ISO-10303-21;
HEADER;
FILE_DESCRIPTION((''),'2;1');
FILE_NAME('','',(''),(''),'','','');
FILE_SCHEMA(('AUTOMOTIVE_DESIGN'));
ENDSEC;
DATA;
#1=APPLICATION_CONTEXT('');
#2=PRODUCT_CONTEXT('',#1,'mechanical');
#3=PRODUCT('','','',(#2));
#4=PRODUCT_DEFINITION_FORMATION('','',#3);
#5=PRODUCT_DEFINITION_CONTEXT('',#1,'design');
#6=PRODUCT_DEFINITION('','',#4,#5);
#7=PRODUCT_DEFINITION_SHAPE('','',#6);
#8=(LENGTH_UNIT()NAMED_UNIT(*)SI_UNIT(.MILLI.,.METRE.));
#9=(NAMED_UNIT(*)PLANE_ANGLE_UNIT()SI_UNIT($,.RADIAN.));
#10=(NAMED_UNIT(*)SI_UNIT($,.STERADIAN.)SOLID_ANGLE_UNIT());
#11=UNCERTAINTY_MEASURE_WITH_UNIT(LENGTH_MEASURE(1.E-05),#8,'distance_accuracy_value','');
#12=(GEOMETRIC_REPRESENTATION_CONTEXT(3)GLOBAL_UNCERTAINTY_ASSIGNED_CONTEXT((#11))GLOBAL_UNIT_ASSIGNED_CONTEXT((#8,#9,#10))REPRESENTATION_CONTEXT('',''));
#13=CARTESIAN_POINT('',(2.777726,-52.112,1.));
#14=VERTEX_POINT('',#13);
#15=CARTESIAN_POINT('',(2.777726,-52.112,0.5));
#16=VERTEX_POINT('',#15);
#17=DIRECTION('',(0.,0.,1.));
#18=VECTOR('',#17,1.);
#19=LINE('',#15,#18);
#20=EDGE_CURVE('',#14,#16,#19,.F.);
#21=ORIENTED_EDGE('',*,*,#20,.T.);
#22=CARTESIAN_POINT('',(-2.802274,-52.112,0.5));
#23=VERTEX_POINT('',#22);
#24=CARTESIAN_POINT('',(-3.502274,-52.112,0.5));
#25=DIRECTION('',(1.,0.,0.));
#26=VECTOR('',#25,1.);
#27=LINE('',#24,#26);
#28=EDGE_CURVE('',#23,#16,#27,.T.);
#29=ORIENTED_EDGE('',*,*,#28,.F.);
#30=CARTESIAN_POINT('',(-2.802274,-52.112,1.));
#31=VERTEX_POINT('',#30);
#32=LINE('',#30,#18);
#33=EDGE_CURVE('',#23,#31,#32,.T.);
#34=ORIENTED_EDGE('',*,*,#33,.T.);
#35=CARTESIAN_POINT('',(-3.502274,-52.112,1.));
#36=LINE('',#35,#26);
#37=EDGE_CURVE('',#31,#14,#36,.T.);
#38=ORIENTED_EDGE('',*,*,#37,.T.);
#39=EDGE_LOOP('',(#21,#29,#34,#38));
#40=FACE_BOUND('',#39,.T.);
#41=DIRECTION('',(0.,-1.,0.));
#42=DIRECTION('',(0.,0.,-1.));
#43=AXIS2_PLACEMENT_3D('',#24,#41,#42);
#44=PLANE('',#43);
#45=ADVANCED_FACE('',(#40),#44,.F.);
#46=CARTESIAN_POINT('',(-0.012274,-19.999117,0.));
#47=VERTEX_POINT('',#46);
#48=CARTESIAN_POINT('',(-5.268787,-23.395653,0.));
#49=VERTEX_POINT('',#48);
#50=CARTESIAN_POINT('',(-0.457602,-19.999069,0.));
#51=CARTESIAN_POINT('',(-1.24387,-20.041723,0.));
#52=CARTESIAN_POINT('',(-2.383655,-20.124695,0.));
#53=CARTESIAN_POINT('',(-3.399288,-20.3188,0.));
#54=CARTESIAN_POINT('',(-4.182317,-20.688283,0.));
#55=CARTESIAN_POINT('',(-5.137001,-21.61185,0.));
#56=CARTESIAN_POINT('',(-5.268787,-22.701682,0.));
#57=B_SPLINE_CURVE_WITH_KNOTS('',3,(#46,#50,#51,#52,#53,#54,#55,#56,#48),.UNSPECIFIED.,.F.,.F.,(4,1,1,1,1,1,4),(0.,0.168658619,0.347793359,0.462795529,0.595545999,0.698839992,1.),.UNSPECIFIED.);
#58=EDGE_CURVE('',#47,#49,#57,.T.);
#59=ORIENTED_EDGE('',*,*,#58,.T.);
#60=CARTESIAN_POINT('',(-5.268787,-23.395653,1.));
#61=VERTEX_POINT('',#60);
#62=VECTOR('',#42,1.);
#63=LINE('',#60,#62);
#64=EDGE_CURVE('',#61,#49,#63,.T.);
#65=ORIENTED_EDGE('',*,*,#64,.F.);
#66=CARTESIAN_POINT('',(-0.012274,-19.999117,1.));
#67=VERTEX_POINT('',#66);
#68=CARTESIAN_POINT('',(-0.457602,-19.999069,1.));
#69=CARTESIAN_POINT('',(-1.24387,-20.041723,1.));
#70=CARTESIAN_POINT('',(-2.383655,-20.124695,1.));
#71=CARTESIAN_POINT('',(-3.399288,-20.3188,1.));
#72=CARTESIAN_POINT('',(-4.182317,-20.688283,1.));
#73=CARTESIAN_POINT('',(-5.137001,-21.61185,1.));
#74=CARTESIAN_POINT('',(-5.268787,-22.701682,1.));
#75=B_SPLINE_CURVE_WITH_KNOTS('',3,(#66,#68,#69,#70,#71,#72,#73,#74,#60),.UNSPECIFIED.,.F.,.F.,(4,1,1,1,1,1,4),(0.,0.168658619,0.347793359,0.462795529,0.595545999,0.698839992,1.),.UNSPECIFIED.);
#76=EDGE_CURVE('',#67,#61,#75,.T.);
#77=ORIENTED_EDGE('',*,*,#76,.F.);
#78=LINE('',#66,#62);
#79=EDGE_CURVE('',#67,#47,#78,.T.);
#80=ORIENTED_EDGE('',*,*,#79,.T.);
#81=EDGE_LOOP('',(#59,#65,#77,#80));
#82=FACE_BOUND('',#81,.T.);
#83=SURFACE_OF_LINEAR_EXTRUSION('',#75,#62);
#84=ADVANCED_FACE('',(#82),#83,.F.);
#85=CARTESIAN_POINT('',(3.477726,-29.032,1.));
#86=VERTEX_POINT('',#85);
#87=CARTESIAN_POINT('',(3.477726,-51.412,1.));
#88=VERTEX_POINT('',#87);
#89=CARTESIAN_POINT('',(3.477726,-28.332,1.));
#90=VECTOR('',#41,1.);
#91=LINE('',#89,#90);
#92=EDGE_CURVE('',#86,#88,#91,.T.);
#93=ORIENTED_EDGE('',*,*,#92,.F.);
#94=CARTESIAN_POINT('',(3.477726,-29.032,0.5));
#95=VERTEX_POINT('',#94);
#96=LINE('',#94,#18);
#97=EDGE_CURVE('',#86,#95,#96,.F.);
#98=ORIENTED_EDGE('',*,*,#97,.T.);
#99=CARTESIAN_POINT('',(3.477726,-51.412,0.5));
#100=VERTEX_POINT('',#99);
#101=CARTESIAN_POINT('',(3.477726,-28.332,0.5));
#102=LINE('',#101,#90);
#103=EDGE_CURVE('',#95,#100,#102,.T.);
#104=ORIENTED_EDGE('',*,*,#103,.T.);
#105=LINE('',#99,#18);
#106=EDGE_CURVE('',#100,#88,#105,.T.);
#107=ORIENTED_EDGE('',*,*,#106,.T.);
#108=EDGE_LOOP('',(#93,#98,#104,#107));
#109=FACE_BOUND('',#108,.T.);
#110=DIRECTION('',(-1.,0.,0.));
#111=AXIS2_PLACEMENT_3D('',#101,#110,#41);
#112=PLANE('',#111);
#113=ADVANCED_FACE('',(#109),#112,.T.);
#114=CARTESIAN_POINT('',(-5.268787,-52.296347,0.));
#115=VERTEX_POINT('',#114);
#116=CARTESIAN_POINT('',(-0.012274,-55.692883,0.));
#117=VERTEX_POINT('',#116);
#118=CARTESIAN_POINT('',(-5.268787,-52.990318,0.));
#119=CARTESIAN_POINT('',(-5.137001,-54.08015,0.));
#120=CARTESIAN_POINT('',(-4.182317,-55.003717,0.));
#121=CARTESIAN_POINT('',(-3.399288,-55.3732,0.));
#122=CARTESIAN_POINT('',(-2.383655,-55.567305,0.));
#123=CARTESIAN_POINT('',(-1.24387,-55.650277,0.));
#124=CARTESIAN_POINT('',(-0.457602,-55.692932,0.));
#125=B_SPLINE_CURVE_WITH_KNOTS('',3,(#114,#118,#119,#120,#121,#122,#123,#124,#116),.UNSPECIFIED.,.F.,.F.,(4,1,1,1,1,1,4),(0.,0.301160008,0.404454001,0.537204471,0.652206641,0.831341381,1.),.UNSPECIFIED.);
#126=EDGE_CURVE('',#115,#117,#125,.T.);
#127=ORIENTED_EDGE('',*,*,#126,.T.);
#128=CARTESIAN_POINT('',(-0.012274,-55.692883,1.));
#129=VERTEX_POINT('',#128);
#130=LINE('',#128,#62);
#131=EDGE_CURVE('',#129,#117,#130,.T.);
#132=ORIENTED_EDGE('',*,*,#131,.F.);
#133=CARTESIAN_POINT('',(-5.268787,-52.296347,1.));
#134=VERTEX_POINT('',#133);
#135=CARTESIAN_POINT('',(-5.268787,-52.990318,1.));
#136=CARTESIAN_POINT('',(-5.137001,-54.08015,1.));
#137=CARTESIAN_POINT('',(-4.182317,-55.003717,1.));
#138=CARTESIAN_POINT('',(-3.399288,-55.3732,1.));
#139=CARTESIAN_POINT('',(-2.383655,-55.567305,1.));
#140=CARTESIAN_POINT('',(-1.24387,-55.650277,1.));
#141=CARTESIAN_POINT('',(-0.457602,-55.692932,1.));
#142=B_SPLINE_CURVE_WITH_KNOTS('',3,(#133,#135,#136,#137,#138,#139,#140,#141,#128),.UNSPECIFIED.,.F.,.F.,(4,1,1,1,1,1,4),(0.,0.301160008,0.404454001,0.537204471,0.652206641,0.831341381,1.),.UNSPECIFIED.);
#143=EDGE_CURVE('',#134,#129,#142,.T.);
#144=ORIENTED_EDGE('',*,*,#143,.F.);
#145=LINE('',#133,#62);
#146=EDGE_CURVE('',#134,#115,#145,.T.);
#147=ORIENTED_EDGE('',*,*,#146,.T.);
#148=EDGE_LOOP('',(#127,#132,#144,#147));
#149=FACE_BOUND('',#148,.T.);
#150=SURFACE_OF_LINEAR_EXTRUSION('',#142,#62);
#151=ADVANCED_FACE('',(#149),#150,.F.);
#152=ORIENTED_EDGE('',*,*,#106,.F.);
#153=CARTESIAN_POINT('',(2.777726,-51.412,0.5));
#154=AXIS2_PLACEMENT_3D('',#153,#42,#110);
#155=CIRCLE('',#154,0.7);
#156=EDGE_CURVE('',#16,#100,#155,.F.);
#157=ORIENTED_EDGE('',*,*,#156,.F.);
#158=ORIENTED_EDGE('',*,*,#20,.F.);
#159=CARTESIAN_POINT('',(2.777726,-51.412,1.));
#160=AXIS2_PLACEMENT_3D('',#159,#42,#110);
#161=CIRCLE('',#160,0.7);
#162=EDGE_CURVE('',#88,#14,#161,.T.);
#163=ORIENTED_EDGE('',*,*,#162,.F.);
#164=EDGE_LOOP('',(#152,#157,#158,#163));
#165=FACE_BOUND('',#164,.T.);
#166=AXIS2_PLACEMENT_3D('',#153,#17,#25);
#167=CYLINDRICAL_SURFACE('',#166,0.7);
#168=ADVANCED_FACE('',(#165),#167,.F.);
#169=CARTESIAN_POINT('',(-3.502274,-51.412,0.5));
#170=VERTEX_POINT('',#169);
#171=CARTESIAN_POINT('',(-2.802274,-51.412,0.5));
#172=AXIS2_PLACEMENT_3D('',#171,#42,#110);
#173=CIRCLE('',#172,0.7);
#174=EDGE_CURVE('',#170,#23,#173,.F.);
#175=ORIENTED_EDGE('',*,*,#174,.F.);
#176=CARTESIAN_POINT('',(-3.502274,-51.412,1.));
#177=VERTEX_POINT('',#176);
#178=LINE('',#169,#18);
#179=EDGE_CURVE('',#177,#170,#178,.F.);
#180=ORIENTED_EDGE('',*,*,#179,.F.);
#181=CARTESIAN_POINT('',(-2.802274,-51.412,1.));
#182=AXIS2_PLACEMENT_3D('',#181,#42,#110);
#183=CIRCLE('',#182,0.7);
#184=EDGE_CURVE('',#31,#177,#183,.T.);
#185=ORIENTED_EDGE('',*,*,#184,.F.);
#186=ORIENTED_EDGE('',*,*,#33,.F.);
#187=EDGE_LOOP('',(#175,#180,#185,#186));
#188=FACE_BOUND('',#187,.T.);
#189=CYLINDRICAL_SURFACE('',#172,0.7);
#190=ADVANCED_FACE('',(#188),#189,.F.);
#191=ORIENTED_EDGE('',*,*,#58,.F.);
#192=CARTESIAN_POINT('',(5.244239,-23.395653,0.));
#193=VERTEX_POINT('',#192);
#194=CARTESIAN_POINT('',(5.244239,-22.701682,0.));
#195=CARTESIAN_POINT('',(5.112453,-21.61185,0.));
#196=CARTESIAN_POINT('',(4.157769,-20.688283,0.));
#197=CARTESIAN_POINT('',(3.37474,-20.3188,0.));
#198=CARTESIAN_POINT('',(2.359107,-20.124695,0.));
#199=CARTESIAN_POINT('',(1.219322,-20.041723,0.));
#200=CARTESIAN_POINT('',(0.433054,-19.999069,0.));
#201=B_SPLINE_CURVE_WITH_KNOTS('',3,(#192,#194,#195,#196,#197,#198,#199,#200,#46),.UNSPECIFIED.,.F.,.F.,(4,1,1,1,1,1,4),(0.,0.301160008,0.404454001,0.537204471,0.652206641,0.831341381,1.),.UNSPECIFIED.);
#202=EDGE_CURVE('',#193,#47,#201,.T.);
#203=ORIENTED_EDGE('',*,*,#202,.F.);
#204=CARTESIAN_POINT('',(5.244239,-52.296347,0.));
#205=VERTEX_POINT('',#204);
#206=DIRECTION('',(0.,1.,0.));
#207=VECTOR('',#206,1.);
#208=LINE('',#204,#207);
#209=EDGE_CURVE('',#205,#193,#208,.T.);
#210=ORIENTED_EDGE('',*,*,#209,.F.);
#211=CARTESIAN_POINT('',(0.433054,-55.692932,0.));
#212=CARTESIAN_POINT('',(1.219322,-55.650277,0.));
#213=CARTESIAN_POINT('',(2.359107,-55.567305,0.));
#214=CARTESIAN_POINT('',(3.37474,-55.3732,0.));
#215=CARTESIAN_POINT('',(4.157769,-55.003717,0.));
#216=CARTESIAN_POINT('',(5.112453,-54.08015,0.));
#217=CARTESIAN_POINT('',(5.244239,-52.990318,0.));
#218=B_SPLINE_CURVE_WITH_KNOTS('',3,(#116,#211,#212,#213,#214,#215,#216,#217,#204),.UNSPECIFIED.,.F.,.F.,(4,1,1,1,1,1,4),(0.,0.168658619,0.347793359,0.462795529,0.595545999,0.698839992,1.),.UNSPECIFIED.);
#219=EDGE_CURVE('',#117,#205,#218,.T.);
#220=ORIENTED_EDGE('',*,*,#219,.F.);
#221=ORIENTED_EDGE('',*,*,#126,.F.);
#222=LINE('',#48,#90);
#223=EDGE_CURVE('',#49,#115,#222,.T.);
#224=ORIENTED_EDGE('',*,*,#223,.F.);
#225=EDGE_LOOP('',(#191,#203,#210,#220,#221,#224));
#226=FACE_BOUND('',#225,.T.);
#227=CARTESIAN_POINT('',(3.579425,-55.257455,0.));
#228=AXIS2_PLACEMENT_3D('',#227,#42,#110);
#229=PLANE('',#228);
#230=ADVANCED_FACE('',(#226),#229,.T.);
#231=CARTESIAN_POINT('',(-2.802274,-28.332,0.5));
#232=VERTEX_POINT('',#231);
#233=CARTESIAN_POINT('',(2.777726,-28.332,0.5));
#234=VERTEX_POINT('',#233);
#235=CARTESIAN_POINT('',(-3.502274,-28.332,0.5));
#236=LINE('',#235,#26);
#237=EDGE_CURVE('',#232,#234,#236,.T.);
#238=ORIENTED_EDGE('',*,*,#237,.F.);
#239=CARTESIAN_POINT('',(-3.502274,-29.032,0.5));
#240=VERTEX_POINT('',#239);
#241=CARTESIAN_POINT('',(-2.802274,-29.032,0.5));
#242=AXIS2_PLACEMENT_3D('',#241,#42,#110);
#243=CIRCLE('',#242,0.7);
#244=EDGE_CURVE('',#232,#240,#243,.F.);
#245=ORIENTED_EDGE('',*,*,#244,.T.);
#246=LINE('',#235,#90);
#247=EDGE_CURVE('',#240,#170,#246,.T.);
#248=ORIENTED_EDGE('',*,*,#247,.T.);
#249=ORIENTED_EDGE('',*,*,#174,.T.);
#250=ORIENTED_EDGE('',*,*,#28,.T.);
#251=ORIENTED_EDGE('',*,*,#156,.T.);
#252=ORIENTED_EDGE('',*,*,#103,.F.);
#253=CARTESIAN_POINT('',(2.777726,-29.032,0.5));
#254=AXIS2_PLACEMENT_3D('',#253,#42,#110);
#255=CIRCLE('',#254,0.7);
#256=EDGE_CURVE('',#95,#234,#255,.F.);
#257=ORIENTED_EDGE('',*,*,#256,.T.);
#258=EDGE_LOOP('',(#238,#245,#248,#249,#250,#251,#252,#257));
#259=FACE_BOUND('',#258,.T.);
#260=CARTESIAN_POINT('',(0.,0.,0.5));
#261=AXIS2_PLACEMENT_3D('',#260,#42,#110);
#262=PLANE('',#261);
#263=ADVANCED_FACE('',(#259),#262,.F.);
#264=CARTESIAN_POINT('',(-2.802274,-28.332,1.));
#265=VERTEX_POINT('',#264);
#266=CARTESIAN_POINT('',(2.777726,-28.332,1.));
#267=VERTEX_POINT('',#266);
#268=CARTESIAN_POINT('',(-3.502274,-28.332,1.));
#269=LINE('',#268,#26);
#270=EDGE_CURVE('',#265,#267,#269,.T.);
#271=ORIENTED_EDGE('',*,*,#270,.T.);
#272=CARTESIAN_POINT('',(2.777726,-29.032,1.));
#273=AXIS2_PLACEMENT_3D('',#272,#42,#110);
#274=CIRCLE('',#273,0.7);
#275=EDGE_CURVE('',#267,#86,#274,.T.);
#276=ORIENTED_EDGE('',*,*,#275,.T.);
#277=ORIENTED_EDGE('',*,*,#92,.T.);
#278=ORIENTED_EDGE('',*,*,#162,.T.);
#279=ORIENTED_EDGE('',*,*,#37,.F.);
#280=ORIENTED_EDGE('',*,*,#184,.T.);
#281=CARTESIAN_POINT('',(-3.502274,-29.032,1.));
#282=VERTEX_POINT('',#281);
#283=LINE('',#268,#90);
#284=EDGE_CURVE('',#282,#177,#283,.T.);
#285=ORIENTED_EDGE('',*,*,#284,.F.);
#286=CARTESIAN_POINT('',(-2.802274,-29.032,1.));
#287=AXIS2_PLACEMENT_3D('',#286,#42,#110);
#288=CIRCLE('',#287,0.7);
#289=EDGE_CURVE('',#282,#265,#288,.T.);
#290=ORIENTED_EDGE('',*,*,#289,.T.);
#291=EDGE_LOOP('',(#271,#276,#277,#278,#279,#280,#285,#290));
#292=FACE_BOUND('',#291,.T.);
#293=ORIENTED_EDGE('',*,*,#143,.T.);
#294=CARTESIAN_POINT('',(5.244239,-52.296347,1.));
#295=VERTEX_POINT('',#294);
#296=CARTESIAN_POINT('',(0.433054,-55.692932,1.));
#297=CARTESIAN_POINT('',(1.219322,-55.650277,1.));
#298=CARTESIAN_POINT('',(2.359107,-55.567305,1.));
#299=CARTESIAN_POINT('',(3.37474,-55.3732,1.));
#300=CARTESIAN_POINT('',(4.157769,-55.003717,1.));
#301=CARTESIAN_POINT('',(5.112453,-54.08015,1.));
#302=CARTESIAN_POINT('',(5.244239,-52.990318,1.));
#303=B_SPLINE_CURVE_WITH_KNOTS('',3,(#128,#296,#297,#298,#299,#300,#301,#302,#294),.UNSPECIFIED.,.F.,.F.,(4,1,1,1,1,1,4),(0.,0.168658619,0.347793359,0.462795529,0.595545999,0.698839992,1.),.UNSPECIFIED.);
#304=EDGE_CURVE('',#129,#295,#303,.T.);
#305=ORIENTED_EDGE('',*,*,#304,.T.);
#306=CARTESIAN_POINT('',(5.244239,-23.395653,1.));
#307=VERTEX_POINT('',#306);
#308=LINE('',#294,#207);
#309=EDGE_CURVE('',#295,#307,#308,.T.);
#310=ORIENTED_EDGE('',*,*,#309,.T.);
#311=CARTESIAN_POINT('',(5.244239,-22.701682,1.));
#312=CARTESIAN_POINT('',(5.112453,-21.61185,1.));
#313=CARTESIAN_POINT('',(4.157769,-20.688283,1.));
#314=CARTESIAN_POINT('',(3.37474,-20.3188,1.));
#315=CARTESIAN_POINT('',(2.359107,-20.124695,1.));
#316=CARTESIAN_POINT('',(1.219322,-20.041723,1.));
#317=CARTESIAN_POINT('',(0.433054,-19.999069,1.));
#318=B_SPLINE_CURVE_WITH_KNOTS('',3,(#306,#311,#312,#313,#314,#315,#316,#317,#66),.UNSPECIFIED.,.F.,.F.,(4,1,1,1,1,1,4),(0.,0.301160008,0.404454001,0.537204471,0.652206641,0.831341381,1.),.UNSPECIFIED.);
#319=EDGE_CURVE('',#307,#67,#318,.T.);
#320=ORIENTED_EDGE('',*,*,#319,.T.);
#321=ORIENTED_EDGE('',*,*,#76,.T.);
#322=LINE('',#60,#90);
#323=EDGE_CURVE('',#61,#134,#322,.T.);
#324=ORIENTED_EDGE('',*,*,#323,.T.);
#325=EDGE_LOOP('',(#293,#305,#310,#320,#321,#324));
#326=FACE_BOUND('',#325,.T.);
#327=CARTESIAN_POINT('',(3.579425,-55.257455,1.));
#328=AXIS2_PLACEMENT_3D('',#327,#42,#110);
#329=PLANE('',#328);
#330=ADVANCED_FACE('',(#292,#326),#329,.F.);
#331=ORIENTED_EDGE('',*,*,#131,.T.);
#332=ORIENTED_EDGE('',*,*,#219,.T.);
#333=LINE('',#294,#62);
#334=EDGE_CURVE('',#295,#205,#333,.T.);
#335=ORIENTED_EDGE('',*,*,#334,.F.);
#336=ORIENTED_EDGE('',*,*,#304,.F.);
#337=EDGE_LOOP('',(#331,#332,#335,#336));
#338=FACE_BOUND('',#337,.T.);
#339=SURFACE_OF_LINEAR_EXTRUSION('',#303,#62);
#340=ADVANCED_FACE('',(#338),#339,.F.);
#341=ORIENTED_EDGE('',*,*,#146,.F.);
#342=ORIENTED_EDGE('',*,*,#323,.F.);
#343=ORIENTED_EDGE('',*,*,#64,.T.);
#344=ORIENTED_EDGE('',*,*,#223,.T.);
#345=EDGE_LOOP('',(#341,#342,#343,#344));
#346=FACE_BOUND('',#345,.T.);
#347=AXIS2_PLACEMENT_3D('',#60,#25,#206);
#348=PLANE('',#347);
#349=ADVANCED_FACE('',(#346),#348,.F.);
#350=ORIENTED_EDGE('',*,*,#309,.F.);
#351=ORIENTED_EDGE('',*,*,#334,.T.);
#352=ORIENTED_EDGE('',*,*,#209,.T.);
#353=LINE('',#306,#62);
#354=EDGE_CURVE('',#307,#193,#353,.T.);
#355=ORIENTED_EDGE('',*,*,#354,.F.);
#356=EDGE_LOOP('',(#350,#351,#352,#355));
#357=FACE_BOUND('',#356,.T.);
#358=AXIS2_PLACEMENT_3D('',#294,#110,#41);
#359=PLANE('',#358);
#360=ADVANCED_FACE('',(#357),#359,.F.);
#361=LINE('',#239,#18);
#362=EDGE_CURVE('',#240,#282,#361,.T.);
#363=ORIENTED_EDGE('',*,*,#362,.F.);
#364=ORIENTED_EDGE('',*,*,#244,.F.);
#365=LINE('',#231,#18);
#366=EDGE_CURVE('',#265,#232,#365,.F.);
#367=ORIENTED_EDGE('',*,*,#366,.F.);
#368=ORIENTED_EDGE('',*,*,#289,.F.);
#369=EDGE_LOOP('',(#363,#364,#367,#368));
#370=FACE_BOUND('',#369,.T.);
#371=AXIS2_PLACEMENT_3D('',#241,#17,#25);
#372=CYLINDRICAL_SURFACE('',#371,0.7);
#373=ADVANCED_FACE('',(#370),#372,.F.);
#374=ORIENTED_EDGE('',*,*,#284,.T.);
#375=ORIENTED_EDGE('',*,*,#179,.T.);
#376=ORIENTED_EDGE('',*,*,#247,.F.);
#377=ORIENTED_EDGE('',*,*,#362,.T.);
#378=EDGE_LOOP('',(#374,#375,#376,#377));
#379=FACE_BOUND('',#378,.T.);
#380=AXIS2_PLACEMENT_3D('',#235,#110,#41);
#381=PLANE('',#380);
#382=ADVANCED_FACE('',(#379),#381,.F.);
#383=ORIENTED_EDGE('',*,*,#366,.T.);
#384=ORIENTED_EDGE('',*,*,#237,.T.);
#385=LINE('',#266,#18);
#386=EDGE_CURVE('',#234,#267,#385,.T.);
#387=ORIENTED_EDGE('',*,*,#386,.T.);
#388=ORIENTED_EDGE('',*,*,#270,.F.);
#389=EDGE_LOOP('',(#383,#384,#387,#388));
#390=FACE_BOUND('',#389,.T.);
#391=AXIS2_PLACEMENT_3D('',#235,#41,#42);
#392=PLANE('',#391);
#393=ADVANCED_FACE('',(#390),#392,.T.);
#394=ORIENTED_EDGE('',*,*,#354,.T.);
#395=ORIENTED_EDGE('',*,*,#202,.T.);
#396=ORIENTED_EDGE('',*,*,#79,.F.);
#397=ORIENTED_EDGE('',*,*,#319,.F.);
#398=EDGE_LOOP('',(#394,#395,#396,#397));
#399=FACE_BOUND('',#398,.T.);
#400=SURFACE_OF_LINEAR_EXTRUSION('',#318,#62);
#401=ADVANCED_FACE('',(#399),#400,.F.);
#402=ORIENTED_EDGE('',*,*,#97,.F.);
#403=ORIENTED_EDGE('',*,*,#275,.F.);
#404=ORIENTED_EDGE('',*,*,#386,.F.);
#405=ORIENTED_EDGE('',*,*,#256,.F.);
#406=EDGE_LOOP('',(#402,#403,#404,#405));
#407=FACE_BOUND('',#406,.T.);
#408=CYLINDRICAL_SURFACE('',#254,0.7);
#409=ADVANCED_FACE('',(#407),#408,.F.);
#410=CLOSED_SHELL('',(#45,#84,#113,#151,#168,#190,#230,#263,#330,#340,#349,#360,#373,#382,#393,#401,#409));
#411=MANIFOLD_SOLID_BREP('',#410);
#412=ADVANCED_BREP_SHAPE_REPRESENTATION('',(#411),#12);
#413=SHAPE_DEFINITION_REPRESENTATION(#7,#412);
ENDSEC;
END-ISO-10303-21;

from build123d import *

# Parameters (mm, degrees)
EXTRUDE_1_DEPTH     = 1
SKETCH_6_W          = 6.979999977
SKETCH_6_H          = 23.78
CUT_EXTRUDE_1_DEPTH = 0.5
FILLET_1_R          = 0.7


with BuildPart() as part:
    # 草图1 → 凸台-拉伸1 (new body)
    with BuildSketch(Plane.XY):
        with BuildLine():
            Line((-5.268787068, -23.395653078), (-5.268787078, -52.29634699))
            add(Edge.make_bspline(
                [(-5.268787078, -52.29634699), (-5.268787078, -52.990318083), (-5.137001379, -54.080149918), (-4.182317261, -55.003717165), (-3.39928825, -55.373199943), (-2.383654985, -55.567305407), (-1.243870186, -55.650276692), (-0.457601939, -55.692931511), (-0.012274069, -55.692882673)],
                knots=[0, 0, 0, 0, 0.301160008, 0.404454001, 0.537204471, 0.652206641, 0.831341381, 1, 1, 1, 1], degree=3))
            add(Edge.make_bspline(
                [(-0.012274069, -55.692882673), (0.433053802, -55.692931511), (1.219322049, -55.650276693), (2.359106848, -55.567305408), (3.374740114, -55.373199945), (4.157769124, -55.003717168), (5.112453243, -54.080149921), (5.244238943, -52.990318087), (5.244238943, -52.296346994)],
                knots=[0, 0, 0, 0, 0.168658619, 0.347793359, 0.462795529, 0.595545999, 0.698839992, 1, 1, 1, 1], degree=3))
            Line((5.244238943, -52.296346994), (5.244238953, -23.395653081))
            add(Edge.make_bspline(
                [(5.244238953, -23.395653081), (5.244238953, -22.701681988), (5.112453254, -21.611850154), (4.157769136, -20.688282907), (3.374740126, -20.318800129), (2.359106861, -20.124694665), (1.219322061, -20.041723379), (0.433053814, -19.999068561), (-0.012274056, -19.999117399)],
                knots=[0, 0, 0, 0, 0.301160008, 0.404454001, 0.537204471, 0.652206641, 0.831341381, 1, 1, 1, 1], degree=3))
            add(Edge.make_bspline(
                [(-0.012274056, -19.999117399), (-0.457601926, -19.999068561), (-1.243870174, -20.041723378), (-2.383654973, -20.124694663), (-3.399288238, -20.318800126), (-4.182317249, -20.688282904), (-5.137001368, -21.61185015), (-5.268787067, -22.701681985), (-5.268787068, -23.395653078)],
                knots=[0, 0, 0, 0, 0.168658619, 0.347793359, 0.462795529, 0.595545999, 0.698839992, 1, 1, 1, 1], degree=3))
        make_face()
    extrude(amount=EXTRUDE_1_DEPTH)

    # 草图6 → 切除-拉伸1 (cut)
    with BuildSketch(Plane.XY.offset(1)):
        with Locations((-0.012274056, -40.222000037)):
            Rectangle(SKETCH_6_W, SKETCH_6_H)
    extrude(amount=-CUT_EXTRUDE_1_DEPTH, mode=Mode.SUBTRACT)

    # 圆角1
    fillet_1_edges = [part.edges().sort_by_distance(p)[0] for p in [
        (3.477725932, -52.112000037, 0.75),
        (-3.502274045, -52.112000037, 0.75),
        (-3.502274045, -28.332000037, 0.75),
        (3.477725932, -28.332000037, 0.75),
    ]]
    fillet(fillet_1_edges, radius=FILLET_1_R)


solid = part.part
